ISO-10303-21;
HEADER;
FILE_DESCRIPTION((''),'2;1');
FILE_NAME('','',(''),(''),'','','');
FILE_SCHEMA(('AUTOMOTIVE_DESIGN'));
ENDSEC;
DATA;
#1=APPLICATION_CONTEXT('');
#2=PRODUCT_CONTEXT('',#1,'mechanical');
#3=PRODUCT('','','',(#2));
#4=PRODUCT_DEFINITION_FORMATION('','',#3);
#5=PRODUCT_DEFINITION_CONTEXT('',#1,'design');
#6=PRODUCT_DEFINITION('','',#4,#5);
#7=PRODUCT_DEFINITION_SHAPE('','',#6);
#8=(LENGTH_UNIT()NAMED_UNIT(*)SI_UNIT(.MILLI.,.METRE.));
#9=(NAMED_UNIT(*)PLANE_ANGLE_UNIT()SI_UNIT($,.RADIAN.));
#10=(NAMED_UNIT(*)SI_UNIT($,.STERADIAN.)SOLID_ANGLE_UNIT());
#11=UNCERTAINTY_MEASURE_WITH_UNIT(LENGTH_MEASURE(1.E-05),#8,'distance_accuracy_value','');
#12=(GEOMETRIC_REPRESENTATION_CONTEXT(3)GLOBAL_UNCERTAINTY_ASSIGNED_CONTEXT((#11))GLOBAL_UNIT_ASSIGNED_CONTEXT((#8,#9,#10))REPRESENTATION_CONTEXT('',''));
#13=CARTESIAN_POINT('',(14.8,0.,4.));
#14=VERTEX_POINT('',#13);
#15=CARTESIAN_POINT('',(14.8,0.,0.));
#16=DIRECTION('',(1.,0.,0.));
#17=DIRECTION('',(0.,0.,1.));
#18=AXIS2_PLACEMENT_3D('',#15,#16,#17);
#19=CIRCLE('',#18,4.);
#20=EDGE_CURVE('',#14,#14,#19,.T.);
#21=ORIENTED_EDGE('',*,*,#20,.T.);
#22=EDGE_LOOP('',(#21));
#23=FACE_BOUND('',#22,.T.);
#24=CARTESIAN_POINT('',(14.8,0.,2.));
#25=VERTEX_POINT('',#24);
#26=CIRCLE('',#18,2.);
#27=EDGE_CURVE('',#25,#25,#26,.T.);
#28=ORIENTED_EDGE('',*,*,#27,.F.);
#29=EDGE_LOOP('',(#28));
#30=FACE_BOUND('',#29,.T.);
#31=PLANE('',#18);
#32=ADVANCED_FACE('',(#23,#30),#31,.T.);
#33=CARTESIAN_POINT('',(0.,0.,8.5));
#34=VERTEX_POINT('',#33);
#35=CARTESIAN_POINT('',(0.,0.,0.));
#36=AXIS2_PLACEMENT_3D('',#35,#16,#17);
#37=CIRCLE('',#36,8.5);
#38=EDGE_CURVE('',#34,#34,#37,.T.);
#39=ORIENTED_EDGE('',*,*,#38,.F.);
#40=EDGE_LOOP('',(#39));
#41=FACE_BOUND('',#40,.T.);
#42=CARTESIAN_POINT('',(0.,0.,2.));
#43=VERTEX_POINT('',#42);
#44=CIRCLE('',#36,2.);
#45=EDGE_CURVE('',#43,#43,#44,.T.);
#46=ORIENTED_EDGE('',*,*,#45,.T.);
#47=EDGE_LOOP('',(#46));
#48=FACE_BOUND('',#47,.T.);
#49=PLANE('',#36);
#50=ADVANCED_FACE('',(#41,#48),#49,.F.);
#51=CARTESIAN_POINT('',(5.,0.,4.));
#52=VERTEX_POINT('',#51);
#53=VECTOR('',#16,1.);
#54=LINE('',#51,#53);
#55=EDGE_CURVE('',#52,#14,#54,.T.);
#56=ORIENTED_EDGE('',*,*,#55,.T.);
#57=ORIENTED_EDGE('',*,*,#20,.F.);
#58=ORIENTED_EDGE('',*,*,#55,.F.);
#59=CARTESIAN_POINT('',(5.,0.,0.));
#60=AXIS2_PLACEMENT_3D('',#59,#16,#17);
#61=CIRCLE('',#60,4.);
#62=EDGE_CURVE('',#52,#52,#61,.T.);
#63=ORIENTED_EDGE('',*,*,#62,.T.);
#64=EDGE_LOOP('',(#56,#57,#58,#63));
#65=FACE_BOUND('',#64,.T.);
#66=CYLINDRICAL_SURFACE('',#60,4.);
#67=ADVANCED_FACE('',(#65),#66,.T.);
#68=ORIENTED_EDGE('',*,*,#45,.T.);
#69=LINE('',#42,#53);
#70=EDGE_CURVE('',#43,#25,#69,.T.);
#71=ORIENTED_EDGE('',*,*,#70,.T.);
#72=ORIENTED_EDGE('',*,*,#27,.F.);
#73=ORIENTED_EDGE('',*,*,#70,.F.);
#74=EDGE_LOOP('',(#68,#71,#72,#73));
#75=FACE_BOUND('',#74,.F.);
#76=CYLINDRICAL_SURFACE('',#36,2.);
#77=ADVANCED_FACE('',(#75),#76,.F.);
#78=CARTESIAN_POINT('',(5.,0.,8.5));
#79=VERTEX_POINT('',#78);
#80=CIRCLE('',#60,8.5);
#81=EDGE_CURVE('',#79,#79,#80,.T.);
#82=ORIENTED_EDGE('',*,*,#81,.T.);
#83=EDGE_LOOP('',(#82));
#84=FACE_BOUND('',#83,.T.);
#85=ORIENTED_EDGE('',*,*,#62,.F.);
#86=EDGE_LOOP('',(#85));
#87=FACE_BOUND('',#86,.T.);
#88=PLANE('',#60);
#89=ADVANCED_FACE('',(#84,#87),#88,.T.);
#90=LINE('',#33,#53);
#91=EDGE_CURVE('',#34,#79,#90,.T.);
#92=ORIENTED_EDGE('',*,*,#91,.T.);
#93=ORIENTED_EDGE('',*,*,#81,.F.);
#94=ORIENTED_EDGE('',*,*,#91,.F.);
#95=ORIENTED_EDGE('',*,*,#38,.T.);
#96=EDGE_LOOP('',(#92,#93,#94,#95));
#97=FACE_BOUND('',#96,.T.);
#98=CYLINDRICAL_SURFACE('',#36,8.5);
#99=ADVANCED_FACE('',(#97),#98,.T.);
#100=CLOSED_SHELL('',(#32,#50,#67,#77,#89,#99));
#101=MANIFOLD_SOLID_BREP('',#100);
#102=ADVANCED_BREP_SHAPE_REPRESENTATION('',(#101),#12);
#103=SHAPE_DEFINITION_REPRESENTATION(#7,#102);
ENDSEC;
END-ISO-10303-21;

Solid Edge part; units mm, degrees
sketch "Sketch1" plane through (0, 0, 0) normal (0, -1, 0) x (1, 0, 0)
  line L0 (0, 2) -> (0, 8.5)
  line L1 (0, 8.5) -> (5, 8.5)
  line L2 (5, 8.5) -> (5, 4)
  line L3 (5, 4) -> (14.8, 4)
  line L4 (14.8, 4) -> (14.8, 2)
  line L5 (0, 2) -> (14.8, 2)
  dimension "D1" = 4
  dimension "D2" = 6.5
  dimension "D3" = 5
  dimension "D4" = 9.8
  dimension "D5" = 2
revolve "RevolvedProtrusion1" add sketch "Sketch1" angle 360 about axis through (-60, 0, 0) along (1, 0, 0)
